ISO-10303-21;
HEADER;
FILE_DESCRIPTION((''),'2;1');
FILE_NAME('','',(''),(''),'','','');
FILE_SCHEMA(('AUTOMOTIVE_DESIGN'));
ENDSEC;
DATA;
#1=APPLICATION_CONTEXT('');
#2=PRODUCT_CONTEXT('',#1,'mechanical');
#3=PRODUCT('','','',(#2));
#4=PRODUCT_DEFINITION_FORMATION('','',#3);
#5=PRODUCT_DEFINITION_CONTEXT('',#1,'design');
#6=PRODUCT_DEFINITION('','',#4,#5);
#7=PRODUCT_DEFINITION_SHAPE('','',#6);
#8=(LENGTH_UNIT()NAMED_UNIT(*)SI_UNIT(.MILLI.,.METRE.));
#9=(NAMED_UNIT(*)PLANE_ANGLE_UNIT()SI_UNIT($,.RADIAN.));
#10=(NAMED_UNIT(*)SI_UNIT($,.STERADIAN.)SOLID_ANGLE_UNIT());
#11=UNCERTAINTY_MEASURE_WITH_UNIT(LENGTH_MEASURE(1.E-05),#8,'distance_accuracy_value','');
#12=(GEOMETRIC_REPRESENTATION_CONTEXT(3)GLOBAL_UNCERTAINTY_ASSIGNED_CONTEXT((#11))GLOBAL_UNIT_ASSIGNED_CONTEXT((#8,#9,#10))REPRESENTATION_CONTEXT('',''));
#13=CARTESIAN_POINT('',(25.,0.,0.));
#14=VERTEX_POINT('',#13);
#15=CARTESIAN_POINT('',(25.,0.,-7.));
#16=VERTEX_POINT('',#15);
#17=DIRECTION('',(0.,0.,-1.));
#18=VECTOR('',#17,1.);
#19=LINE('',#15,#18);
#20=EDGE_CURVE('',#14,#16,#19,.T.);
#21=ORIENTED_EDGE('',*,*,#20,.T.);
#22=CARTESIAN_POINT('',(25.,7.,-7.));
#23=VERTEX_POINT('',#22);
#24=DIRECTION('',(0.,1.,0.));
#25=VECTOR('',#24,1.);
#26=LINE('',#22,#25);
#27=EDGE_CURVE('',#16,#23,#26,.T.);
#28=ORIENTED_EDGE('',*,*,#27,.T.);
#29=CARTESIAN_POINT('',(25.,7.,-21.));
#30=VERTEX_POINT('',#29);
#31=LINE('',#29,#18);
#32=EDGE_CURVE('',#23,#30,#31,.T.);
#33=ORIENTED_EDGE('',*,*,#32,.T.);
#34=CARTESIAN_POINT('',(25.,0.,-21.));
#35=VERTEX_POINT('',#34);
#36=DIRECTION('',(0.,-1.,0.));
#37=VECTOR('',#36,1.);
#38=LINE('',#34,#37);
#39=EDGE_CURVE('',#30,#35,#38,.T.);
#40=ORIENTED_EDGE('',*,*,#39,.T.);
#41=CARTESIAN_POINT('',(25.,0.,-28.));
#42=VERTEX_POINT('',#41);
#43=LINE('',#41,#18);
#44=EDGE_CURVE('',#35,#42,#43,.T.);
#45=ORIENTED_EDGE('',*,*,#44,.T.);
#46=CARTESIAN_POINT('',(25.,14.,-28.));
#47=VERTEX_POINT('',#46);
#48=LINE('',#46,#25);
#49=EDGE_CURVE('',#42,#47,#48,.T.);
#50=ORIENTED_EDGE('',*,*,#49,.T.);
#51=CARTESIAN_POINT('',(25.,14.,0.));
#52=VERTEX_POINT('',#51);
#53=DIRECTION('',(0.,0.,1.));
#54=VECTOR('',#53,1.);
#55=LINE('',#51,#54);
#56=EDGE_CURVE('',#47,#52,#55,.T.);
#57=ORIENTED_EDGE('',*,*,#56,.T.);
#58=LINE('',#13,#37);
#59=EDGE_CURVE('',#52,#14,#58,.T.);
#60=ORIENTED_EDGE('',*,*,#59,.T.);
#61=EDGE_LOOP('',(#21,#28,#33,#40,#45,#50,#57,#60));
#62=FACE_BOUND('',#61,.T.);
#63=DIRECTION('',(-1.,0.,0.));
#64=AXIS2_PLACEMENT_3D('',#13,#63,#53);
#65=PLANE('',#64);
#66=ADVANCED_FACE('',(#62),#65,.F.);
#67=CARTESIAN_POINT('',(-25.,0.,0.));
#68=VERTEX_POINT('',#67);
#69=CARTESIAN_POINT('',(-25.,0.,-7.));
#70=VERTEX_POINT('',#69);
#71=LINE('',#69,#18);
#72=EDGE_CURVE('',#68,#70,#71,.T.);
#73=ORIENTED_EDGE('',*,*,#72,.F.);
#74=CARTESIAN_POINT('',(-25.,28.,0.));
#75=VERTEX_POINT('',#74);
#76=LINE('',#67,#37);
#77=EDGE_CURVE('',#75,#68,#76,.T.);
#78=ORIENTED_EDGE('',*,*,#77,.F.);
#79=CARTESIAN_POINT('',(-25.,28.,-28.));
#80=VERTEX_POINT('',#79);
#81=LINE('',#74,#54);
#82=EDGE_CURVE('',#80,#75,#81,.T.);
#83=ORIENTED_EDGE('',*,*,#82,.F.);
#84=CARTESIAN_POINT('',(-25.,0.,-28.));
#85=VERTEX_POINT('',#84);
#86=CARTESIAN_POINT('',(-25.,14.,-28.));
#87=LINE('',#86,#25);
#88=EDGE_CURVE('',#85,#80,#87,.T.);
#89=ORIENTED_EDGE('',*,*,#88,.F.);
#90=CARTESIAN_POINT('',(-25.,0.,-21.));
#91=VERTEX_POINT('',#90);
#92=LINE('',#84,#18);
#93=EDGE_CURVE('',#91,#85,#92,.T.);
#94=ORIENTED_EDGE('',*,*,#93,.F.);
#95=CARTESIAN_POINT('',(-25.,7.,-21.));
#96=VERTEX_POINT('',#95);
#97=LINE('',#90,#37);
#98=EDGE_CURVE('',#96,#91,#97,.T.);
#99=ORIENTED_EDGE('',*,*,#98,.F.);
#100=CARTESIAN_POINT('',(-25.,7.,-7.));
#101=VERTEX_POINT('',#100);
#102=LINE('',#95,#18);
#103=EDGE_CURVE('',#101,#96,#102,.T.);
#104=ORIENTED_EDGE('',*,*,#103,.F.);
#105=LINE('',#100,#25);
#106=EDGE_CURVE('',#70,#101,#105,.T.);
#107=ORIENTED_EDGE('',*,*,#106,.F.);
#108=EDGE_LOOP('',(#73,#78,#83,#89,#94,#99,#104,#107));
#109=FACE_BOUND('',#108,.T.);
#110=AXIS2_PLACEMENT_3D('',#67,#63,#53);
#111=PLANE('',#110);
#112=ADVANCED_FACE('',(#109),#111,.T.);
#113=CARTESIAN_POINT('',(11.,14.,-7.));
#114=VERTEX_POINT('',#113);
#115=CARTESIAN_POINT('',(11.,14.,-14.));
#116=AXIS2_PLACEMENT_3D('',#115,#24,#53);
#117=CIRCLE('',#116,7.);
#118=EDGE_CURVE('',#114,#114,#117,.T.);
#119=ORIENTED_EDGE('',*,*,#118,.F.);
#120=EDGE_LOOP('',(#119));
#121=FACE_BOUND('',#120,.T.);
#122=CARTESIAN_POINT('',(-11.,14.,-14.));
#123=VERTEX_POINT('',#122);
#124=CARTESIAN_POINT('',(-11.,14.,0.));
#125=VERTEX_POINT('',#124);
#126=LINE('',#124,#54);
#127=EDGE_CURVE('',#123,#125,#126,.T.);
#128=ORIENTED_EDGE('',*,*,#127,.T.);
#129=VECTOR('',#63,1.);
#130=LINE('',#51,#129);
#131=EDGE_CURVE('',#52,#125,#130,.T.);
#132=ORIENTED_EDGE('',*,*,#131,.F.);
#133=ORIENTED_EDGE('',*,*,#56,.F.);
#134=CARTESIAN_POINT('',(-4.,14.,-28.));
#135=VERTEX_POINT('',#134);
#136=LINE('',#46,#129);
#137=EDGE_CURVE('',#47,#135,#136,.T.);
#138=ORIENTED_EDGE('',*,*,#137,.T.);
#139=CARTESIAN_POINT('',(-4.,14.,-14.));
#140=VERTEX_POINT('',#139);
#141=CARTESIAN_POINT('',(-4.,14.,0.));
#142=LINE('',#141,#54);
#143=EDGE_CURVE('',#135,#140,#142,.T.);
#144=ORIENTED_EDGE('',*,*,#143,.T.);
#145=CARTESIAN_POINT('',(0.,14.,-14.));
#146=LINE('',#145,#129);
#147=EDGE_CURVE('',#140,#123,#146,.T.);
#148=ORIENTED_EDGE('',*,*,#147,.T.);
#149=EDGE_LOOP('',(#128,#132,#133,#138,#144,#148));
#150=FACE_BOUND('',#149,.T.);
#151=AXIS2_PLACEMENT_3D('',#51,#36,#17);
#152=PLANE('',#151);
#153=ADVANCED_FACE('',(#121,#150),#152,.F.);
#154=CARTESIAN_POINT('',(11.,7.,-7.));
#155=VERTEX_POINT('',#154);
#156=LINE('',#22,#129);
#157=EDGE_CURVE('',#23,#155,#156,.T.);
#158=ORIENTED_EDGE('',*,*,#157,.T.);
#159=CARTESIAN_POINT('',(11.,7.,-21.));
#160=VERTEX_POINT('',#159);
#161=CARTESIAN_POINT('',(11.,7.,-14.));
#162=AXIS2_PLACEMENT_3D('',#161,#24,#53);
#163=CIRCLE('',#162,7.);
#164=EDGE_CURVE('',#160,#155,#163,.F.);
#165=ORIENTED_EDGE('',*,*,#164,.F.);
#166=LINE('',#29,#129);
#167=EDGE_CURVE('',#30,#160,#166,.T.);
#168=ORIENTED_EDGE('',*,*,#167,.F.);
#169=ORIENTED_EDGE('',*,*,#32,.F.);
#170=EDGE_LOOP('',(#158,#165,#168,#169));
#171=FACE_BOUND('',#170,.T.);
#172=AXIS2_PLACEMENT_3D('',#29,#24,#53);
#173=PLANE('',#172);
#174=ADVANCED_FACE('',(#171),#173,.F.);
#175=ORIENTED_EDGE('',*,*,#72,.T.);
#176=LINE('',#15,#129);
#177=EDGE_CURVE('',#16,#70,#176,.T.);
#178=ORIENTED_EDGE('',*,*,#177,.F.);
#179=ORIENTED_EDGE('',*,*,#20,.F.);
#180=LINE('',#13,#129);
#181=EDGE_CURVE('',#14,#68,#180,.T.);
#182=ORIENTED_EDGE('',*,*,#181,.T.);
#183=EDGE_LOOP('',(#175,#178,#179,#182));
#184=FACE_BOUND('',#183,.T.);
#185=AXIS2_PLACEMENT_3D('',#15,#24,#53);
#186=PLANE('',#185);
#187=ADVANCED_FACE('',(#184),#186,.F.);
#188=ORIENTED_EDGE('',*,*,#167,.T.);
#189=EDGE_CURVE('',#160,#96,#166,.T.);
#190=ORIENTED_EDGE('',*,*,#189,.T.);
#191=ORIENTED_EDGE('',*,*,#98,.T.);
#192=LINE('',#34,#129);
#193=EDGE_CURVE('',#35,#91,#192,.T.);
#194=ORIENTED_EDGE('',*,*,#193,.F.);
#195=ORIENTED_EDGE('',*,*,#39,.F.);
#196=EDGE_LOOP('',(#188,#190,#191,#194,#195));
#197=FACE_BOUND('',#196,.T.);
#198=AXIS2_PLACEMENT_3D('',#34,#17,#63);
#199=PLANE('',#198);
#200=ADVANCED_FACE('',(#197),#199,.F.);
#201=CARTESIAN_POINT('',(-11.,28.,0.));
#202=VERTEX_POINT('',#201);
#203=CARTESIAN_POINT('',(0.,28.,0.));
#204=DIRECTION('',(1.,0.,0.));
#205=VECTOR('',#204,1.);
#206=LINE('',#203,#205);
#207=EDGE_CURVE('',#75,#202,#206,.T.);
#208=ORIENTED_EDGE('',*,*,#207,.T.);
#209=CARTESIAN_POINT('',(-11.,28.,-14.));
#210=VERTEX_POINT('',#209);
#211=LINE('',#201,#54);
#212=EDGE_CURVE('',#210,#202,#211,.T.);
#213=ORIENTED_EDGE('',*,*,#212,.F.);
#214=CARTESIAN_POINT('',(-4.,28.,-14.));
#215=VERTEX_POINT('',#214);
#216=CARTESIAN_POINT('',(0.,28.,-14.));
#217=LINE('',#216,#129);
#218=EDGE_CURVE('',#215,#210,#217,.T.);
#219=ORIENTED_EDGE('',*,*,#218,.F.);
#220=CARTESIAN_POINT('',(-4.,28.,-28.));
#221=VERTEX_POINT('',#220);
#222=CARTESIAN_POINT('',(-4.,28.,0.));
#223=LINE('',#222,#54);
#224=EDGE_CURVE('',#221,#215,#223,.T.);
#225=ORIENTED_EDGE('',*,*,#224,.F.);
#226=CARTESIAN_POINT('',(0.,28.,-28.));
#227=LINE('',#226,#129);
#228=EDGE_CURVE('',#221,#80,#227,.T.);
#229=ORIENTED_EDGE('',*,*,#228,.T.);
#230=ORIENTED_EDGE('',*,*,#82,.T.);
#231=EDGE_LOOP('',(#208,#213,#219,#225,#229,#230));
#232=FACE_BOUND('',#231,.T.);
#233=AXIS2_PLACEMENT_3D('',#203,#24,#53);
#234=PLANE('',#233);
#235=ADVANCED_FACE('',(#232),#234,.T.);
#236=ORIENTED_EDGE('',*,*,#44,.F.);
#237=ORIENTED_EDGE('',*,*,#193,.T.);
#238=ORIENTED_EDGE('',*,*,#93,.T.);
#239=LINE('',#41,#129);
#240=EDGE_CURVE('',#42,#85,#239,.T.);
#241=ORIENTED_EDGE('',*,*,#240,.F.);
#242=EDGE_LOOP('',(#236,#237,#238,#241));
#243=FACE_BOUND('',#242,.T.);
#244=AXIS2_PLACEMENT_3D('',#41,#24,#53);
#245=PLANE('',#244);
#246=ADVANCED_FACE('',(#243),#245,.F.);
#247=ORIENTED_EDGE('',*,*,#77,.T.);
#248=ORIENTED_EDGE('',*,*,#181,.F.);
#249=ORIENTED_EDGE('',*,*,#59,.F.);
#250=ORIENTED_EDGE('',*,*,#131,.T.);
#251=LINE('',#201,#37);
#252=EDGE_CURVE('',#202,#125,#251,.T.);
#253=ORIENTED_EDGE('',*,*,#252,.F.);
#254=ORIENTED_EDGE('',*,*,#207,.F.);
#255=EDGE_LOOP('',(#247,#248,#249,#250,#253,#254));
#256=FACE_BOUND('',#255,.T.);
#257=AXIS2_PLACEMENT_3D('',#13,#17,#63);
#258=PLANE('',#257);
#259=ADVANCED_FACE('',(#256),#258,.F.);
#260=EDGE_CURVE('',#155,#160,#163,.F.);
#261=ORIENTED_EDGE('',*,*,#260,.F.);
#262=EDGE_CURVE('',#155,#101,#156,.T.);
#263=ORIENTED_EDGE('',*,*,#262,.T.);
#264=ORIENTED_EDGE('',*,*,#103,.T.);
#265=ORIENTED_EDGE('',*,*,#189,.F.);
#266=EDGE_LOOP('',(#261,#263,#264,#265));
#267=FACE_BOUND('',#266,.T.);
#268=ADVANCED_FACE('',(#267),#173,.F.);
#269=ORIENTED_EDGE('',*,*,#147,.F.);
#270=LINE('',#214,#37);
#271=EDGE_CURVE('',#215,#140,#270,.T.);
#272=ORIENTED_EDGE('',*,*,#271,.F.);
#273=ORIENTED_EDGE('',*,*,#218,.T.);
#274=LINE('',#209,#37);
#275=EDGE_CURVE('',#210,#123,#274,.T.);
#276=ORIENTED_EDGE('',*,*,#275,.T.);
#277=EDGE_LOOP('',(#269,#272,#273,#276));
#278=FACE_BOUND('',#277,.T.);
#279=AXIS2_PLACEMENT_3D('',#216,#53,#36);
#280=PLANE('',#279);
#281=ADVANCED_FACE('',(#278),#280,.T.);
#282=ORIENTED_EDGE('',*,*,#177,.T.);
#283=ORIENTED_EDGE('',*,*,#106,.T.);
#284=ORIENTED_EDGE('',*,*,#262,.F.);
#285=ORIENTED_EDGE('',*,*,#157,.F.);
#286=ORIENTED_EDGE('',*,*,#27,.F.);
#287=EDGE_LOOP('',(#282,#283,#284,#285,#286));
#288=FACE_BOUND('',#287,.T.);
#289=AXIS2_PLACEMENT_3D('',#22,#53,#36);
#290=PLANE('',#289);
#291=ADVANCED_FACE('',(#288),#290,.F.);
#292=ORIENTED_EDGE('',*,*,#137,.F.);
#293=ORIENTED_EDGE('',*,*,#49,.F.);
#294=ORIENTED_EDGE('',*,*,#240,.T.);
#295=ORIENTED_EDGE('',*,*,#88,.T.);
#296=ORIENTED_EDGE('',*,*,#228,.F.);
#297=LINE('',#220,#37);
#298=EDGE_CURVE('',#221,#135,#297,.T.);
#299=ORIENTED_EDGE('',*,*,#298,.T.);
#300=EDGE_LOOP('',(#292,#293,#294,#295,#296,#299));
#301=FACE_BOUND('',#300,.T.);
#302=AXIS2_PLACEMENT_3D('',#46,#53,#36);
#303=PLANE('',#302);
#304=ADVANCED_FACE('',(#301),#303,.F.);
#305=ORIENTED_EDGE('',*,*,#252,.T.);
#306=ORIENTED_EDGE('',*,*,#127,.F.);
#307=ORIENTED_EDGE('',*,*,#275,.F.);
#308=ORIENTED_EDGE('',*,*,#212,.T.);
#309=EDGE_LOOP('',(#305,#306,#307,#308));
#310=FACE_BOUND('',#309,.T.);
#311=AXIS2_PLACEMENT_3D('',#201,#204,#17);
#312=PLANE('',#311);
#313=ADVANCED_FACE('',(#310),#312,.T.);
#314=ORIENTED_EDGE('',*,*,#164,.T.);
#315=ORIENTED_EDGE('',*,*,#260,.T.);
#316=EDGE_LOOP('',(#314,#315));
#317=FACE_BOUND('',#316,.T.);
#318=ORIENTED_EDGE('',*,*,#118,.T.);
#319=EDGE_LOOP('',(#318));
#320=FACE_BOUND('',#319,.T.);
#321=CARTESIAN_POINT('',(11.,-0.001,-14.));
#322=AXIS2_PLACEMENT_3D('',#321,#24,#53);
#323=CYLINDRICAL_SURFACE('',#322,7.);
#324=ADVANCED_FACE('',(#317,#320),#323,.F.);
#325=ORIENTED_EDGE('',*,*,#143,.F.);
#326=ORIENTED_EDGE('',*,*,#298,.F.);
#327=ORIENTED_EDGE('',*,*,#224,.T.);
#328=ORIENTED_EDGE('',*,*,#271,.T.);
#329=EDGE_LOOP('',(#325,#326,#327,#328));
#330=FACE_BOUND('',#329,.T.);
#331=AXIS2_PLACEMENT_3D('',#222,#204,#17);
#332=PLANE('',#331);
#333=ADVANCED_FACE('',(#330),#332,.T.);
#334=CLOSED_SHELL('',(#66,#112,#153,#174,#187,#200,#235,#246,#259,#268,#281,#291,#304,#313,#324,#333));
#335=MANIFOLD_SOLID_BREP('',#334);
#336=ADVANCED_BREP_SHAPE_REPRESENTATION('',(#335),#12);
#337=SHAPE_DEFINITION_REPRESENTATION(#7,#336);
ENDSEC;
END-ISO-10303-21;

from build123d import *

# Parameters (mm, degrees)
BOSS_EXTRUDE1_DEPTH = 25
CUT_EXTRUDE1_REACH  = 16
SKETCH2_R           = 7
BOSS_EXTRUDE2_DEPTH = 14


with BuildPart() as part:
    # Sketch1 → Boss-Extrude1 (new body, symmetric)
    with BuildSketch(Plane(origin=(0, 0, 0), x_dir=(0, 0, -1), z_dir=(1, 0, 0))):
        Polygon((0, 0), (0, 14), (28, 14), (28, 0), (21, 0), (21, 7), (7, 7), (7, 0), align=None)
    extrude(amount=BOSS_EXTRUDE1_DEPTH, both=True)

    # Sketch2 → Cut-Extrude1 (cut, up to next)
    with BuildSketch(Plane(origin=(0, 14, 0), x_dir=(1, 0, 0), z_dir=(0, 1, 0)), mode=Mode.PRIVATE) as cut_extrude1_sk1:
        with Locations((11, 14)):
            Circle(SKETCH2_R)
    cut_extrude1_tool1 = extrude(cut_extrude1_sk1.sketch, amount=-CUT_EXTRUDE1_REACH, mode=Mode.PRIVATE) & part.part
    add(cut_extrude1_tool1.solids().sort_by_distance((11, 14, -14))[0], mode=Mode.SUBTRACT)

    # Sketch3 → Boss-Extrude2 (add)
    with BuildSketch(Plane(origin=(0, 14, 0), x_dir=(1, 0, 0), z_dir=(0, 1, 0))):
        Polygon((-4, 14), (-4, 28), (-25, 28), (-25, 0), (-11, 0), (-11, 14), align=None)
    extrude(amount=BOSS_EXTRUDE2_DEPTH)


solid = part.part
